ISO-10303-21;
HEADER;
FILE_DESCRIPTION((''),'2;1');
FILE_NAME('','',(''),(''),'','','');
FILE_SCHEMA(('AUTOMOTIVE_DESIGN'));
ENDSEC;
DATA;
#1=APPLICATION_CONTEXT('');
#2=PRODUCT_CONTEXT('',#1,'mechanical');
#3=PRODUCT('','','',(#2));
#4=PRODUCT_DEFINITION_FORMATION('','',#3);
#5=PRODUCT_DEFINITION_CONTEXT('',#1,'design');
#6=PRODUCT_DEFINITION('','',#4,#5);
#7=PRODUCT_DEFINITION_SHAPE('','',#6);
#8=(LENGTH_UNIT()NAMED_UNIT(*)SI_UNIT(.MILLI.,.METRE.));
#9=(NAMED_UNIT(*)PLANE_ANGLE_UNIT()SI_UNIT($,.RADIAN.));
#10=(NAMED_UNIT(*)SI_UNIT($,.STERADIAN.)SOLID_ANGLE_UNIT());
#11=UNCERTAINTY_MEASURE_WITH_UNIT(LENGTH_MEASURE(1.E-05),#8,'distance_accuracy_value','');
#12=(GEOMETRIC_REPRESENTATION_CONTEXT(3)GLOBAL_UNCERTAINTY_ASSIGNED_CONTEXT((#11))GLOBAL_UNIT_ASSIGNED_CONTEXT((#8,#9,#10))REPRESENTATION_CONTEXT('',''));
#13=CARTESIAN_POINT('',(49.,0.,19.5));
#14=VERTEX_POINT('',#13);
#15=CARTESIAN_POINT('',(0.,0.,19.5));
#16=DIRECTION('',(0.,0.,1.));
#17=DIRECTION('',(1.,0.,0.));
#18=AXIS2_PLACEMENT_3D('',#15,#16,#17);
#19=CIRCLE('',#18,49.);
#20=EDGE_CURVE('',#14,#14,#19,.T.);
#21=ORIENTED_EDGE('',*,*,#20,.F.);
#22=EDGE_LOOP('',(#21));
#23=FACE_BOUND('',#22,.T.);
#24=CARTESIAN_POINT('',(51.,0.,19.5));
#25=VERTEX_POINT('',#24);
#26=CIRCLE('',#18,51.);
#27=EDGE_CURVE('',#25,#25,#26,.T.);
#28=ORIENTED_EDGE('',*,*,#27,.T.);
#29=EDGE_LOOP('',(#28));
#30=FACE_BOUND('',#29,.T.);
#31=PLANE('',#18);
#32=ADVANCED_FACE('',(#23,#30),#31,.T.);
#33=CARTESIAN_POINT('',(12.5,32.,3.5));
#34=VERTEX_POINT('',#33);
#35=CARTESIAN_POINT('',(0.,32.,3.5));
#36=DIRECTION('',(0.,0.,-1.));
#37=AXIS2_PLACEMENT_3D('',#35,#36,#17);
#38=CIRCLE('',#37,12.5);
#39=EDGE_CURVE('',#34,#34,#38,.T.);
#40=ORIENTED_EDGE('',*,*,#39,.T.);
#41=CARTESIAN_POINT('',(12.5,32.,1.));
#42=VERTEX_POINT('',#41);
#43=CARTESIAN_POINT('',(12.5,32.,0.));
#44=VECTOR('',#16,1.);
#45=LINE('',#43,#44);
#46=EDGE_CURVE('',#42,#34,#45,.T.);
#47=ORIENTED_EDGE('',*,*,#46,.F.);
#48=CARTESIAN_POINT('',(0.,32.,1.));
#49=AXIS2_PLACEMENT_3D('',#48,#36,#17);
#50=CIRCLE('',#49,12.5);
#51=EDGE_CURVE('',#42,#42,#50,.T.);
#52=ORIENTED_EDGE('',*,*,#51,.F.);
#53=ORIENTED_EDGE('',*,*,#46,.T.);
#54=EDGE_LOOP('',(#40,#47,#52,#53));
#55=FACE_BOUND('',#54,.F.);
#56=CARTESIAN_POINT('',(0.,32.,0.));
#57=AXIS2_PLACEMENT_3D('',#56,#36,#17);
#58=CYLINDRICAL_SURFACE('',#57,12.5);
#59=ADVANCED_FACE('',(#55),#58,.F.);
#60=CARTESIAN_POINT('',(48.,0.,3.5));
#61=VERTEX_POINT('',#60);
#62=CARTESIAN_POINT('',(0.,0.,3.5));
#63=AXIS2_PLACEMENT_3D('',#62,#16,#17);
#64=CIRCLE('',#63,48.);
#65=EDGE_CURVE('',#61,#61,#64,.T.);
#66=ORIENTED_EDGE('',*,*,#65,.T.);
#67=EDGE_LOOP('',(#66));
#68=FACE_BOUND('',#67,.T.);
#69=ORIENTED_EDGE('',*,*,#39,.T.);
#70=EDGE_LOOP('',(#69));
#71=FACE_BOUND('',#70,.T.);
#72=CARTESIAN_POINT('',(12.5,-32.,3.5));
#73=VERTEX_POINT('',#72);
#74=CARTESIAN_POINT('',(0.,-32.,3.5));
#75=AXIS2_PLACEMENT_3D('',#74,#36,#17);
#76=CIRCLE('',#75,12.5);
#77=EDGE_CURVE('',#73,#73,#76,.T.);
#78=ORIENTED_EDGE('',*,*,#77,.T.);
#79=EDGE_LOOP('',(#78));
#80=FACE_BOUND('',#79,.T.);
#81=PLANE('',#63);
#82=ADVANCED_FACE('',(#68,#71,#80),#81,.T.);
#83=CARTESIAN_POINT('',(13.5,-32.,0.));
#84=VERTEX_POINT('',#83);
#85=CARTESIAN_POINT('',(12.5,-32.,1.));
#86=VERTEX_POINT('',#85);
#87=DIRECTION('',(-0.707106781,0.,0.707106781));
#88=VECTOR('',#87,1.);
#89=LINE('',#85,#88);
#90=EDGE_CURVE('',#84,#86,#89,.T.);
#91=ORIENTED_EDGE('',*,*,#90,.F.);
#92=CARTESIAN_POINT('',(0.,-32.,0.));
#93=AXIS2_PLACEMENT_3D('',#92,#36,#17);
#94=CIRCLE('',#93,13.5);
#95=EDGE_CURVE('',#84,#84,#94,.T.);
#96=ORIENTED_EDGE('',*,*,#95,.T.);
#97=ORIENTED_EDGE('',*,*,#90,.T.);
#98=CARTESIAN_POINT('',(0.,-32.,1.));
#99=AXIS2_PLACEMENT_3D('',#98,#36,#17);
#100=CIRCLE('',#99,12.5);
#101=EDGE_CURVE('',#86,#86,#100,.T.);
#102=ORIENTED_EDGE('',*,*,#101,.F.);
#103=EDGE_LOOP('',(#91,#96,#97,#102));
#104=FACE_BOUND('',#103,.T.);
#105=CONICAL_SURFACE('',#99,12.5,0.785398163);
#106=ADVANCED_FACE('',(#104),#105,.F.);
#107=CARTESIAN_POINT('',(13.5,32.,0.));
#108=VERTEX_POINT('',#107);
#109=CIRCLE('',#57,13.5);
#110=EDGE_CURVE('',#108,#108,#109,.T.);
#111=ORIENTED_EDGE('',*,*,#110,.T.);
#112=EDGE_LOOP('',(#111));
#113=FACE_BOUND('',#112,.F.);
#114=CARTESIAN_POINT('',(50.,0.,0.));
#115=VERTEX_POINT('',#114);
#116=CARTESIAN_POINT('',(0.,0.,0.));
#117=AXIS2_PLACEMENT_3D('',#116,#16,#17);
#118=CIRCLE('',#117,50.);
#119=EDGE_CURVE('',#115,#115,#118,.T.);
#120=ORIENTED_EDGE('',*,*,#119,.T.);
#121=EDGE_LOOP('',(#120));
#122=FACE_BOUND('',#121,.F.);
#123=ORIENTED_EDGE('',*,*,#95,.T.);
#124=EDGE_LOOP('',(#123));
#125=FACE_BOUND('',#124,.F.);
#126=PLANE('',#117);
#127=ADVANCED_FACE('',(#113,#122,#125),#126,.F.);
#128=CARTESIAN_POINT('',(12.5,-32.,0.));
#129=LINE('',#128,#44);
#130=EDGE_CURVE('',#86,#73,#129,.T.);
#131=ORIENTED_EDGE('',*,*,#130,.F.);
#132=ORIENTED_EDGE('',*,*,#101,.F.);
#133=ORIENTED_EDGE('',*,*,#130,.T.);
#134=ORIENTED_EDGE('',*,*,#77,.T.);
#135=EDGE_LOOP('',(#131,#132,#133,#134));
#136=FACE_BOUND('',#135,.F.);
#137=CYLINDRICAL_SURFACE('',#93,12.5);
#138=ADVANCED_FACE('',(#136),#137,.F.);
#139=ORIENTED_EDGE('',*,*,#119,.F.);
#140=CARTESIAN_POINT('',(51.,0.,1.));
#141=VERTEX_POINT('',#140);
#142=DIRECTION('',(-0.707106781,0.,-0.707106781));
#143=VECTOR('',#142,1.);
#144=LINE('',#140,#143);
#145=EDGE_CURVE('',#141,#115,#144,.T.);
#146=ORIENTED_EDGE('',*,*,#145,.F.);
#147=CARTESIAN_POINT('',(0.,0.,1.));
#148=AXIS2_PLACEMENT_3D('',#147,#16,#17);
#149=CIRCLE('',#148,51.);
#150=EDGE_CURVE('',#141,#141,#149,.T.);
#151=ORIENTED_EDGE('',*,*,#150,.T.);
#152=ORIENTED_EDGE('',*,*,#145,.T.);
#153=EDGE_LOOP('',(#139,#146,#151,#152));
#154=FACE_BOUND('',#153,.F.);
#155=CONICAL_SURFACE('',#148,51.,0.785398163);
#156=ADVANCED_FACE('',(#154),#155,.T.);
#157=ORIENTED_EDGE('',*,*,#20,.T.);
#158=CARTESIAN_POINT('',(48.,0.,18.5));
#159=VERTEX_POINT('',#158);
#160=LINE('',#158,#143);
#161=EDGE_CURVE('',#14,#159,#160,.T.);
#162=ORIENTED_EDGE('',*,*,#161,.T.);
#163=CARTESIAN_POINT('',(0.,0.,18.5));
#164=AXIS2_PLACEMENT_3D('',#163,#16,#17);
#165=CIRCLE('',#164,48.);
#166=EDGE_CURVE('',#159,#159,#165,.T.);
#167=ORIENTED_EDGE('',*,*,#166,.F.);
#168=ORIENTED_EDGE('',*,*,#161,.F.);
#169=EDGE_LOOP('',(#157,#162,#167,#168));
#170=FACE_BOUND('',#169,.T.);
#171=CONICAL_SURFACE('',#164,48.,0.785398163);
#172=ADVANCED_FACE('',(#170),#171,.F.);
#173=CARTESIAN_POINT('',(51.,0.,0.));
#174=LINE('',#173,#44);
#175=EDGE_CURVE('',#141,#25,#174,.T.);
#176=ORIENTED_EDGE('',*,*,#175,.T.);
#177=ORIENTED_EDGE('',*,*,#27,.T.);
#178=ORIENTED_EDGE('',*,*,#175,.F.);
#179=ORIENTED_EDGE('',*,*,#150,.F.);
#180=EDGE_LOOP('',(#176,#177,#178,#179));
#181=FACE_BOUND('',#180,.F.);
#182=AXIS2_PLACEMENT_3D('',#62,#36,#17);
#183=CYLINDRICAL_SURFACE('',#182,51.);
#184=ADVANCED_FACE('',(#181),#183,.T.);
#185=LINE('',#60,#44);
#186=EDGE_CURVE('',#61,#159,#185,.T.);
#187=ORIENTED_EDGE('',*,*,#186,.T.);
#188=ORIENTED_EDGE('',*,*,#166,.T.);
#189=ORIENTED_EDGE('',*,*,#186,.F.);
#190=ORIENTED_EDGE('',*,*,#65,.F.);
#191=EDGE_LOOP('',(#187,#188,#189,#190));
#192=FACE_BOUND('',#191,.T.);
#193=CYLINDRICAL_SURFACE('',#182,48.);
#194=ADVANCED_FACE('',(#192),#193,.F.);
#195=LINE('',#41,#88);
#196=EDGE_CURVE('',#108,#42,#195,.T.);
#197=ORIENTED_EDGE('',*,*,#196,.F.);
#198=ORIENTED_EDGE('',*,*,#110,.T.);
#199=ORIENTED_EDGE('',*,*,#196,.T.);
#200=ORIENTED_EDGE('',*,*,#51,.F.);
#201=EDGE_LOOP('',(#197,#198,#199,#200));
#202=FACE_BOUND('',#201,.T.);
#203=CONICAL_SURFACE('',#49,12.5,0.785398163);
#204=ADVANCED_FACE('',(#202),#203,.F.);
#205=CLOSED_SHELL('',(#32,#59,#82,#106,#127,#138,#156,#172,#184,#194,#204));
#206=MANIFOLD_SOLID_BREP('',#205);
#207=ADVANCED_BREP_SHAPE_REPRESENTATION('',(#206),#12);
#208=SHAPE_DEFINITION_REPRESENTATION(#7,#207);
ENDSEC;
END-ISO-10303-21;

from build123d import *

# Parameters (mm, degrees)
F0_R     = 51
F1_DEPTH = 3.5
F2_R     = 51
F2_R_2   = 48
F3_DEPTH = 16
F4_R     = 12.5
F5_DEPTH = 25
F6_SIZE  = 1
F7_SIZE  = 1


with BuildPart() as f1:
    # F0 (on Top) → F1 (new body)
    with BuildSketch(Plane.XY):
        Circle(F0_R)
    extrude(amount=F1_DEPTH)

    # F2 (on face) → F3 (join)
    with BuildSketch(Plane.XY.offset(3.5)):
        Circle(F2_R)
        Circle(F2_R_2, mode=Mode.SUBTRACT)
    extrude(amount=F3_DEPTH)

    # F4 (on face) → F5 (cut)
    with BuildSketch(Plane(origin=(0, 0, 0), x_dir=(1, 0, 0), z_dir=(0, 0, -1))):
        with Locations((0, 32)):
            Circle(F4_R)
        with Locations((0, -32)):
            Circle(F4_R)
    extrude(amount=-F5_DEPTH, mode=Mode.SUBTRACT)

    # F6
    f6_edges = [f1.edges().sort_by_distance(p)[0] for p in [
        (-51, 0, 0),
        (-12.5, 32, 0),
        (-12.5, -32, 0),
    ]]
    chamfer(f6_edges, length=F6_SIZE)

    # F7
    f7_edges = [f1.edges().sort_by_distance(p)[0] for p in [
        (-48, 0, 19.5),
    ]]
    chamfer(f7_edges, length=F7_SIZE)


solid = f1.part
